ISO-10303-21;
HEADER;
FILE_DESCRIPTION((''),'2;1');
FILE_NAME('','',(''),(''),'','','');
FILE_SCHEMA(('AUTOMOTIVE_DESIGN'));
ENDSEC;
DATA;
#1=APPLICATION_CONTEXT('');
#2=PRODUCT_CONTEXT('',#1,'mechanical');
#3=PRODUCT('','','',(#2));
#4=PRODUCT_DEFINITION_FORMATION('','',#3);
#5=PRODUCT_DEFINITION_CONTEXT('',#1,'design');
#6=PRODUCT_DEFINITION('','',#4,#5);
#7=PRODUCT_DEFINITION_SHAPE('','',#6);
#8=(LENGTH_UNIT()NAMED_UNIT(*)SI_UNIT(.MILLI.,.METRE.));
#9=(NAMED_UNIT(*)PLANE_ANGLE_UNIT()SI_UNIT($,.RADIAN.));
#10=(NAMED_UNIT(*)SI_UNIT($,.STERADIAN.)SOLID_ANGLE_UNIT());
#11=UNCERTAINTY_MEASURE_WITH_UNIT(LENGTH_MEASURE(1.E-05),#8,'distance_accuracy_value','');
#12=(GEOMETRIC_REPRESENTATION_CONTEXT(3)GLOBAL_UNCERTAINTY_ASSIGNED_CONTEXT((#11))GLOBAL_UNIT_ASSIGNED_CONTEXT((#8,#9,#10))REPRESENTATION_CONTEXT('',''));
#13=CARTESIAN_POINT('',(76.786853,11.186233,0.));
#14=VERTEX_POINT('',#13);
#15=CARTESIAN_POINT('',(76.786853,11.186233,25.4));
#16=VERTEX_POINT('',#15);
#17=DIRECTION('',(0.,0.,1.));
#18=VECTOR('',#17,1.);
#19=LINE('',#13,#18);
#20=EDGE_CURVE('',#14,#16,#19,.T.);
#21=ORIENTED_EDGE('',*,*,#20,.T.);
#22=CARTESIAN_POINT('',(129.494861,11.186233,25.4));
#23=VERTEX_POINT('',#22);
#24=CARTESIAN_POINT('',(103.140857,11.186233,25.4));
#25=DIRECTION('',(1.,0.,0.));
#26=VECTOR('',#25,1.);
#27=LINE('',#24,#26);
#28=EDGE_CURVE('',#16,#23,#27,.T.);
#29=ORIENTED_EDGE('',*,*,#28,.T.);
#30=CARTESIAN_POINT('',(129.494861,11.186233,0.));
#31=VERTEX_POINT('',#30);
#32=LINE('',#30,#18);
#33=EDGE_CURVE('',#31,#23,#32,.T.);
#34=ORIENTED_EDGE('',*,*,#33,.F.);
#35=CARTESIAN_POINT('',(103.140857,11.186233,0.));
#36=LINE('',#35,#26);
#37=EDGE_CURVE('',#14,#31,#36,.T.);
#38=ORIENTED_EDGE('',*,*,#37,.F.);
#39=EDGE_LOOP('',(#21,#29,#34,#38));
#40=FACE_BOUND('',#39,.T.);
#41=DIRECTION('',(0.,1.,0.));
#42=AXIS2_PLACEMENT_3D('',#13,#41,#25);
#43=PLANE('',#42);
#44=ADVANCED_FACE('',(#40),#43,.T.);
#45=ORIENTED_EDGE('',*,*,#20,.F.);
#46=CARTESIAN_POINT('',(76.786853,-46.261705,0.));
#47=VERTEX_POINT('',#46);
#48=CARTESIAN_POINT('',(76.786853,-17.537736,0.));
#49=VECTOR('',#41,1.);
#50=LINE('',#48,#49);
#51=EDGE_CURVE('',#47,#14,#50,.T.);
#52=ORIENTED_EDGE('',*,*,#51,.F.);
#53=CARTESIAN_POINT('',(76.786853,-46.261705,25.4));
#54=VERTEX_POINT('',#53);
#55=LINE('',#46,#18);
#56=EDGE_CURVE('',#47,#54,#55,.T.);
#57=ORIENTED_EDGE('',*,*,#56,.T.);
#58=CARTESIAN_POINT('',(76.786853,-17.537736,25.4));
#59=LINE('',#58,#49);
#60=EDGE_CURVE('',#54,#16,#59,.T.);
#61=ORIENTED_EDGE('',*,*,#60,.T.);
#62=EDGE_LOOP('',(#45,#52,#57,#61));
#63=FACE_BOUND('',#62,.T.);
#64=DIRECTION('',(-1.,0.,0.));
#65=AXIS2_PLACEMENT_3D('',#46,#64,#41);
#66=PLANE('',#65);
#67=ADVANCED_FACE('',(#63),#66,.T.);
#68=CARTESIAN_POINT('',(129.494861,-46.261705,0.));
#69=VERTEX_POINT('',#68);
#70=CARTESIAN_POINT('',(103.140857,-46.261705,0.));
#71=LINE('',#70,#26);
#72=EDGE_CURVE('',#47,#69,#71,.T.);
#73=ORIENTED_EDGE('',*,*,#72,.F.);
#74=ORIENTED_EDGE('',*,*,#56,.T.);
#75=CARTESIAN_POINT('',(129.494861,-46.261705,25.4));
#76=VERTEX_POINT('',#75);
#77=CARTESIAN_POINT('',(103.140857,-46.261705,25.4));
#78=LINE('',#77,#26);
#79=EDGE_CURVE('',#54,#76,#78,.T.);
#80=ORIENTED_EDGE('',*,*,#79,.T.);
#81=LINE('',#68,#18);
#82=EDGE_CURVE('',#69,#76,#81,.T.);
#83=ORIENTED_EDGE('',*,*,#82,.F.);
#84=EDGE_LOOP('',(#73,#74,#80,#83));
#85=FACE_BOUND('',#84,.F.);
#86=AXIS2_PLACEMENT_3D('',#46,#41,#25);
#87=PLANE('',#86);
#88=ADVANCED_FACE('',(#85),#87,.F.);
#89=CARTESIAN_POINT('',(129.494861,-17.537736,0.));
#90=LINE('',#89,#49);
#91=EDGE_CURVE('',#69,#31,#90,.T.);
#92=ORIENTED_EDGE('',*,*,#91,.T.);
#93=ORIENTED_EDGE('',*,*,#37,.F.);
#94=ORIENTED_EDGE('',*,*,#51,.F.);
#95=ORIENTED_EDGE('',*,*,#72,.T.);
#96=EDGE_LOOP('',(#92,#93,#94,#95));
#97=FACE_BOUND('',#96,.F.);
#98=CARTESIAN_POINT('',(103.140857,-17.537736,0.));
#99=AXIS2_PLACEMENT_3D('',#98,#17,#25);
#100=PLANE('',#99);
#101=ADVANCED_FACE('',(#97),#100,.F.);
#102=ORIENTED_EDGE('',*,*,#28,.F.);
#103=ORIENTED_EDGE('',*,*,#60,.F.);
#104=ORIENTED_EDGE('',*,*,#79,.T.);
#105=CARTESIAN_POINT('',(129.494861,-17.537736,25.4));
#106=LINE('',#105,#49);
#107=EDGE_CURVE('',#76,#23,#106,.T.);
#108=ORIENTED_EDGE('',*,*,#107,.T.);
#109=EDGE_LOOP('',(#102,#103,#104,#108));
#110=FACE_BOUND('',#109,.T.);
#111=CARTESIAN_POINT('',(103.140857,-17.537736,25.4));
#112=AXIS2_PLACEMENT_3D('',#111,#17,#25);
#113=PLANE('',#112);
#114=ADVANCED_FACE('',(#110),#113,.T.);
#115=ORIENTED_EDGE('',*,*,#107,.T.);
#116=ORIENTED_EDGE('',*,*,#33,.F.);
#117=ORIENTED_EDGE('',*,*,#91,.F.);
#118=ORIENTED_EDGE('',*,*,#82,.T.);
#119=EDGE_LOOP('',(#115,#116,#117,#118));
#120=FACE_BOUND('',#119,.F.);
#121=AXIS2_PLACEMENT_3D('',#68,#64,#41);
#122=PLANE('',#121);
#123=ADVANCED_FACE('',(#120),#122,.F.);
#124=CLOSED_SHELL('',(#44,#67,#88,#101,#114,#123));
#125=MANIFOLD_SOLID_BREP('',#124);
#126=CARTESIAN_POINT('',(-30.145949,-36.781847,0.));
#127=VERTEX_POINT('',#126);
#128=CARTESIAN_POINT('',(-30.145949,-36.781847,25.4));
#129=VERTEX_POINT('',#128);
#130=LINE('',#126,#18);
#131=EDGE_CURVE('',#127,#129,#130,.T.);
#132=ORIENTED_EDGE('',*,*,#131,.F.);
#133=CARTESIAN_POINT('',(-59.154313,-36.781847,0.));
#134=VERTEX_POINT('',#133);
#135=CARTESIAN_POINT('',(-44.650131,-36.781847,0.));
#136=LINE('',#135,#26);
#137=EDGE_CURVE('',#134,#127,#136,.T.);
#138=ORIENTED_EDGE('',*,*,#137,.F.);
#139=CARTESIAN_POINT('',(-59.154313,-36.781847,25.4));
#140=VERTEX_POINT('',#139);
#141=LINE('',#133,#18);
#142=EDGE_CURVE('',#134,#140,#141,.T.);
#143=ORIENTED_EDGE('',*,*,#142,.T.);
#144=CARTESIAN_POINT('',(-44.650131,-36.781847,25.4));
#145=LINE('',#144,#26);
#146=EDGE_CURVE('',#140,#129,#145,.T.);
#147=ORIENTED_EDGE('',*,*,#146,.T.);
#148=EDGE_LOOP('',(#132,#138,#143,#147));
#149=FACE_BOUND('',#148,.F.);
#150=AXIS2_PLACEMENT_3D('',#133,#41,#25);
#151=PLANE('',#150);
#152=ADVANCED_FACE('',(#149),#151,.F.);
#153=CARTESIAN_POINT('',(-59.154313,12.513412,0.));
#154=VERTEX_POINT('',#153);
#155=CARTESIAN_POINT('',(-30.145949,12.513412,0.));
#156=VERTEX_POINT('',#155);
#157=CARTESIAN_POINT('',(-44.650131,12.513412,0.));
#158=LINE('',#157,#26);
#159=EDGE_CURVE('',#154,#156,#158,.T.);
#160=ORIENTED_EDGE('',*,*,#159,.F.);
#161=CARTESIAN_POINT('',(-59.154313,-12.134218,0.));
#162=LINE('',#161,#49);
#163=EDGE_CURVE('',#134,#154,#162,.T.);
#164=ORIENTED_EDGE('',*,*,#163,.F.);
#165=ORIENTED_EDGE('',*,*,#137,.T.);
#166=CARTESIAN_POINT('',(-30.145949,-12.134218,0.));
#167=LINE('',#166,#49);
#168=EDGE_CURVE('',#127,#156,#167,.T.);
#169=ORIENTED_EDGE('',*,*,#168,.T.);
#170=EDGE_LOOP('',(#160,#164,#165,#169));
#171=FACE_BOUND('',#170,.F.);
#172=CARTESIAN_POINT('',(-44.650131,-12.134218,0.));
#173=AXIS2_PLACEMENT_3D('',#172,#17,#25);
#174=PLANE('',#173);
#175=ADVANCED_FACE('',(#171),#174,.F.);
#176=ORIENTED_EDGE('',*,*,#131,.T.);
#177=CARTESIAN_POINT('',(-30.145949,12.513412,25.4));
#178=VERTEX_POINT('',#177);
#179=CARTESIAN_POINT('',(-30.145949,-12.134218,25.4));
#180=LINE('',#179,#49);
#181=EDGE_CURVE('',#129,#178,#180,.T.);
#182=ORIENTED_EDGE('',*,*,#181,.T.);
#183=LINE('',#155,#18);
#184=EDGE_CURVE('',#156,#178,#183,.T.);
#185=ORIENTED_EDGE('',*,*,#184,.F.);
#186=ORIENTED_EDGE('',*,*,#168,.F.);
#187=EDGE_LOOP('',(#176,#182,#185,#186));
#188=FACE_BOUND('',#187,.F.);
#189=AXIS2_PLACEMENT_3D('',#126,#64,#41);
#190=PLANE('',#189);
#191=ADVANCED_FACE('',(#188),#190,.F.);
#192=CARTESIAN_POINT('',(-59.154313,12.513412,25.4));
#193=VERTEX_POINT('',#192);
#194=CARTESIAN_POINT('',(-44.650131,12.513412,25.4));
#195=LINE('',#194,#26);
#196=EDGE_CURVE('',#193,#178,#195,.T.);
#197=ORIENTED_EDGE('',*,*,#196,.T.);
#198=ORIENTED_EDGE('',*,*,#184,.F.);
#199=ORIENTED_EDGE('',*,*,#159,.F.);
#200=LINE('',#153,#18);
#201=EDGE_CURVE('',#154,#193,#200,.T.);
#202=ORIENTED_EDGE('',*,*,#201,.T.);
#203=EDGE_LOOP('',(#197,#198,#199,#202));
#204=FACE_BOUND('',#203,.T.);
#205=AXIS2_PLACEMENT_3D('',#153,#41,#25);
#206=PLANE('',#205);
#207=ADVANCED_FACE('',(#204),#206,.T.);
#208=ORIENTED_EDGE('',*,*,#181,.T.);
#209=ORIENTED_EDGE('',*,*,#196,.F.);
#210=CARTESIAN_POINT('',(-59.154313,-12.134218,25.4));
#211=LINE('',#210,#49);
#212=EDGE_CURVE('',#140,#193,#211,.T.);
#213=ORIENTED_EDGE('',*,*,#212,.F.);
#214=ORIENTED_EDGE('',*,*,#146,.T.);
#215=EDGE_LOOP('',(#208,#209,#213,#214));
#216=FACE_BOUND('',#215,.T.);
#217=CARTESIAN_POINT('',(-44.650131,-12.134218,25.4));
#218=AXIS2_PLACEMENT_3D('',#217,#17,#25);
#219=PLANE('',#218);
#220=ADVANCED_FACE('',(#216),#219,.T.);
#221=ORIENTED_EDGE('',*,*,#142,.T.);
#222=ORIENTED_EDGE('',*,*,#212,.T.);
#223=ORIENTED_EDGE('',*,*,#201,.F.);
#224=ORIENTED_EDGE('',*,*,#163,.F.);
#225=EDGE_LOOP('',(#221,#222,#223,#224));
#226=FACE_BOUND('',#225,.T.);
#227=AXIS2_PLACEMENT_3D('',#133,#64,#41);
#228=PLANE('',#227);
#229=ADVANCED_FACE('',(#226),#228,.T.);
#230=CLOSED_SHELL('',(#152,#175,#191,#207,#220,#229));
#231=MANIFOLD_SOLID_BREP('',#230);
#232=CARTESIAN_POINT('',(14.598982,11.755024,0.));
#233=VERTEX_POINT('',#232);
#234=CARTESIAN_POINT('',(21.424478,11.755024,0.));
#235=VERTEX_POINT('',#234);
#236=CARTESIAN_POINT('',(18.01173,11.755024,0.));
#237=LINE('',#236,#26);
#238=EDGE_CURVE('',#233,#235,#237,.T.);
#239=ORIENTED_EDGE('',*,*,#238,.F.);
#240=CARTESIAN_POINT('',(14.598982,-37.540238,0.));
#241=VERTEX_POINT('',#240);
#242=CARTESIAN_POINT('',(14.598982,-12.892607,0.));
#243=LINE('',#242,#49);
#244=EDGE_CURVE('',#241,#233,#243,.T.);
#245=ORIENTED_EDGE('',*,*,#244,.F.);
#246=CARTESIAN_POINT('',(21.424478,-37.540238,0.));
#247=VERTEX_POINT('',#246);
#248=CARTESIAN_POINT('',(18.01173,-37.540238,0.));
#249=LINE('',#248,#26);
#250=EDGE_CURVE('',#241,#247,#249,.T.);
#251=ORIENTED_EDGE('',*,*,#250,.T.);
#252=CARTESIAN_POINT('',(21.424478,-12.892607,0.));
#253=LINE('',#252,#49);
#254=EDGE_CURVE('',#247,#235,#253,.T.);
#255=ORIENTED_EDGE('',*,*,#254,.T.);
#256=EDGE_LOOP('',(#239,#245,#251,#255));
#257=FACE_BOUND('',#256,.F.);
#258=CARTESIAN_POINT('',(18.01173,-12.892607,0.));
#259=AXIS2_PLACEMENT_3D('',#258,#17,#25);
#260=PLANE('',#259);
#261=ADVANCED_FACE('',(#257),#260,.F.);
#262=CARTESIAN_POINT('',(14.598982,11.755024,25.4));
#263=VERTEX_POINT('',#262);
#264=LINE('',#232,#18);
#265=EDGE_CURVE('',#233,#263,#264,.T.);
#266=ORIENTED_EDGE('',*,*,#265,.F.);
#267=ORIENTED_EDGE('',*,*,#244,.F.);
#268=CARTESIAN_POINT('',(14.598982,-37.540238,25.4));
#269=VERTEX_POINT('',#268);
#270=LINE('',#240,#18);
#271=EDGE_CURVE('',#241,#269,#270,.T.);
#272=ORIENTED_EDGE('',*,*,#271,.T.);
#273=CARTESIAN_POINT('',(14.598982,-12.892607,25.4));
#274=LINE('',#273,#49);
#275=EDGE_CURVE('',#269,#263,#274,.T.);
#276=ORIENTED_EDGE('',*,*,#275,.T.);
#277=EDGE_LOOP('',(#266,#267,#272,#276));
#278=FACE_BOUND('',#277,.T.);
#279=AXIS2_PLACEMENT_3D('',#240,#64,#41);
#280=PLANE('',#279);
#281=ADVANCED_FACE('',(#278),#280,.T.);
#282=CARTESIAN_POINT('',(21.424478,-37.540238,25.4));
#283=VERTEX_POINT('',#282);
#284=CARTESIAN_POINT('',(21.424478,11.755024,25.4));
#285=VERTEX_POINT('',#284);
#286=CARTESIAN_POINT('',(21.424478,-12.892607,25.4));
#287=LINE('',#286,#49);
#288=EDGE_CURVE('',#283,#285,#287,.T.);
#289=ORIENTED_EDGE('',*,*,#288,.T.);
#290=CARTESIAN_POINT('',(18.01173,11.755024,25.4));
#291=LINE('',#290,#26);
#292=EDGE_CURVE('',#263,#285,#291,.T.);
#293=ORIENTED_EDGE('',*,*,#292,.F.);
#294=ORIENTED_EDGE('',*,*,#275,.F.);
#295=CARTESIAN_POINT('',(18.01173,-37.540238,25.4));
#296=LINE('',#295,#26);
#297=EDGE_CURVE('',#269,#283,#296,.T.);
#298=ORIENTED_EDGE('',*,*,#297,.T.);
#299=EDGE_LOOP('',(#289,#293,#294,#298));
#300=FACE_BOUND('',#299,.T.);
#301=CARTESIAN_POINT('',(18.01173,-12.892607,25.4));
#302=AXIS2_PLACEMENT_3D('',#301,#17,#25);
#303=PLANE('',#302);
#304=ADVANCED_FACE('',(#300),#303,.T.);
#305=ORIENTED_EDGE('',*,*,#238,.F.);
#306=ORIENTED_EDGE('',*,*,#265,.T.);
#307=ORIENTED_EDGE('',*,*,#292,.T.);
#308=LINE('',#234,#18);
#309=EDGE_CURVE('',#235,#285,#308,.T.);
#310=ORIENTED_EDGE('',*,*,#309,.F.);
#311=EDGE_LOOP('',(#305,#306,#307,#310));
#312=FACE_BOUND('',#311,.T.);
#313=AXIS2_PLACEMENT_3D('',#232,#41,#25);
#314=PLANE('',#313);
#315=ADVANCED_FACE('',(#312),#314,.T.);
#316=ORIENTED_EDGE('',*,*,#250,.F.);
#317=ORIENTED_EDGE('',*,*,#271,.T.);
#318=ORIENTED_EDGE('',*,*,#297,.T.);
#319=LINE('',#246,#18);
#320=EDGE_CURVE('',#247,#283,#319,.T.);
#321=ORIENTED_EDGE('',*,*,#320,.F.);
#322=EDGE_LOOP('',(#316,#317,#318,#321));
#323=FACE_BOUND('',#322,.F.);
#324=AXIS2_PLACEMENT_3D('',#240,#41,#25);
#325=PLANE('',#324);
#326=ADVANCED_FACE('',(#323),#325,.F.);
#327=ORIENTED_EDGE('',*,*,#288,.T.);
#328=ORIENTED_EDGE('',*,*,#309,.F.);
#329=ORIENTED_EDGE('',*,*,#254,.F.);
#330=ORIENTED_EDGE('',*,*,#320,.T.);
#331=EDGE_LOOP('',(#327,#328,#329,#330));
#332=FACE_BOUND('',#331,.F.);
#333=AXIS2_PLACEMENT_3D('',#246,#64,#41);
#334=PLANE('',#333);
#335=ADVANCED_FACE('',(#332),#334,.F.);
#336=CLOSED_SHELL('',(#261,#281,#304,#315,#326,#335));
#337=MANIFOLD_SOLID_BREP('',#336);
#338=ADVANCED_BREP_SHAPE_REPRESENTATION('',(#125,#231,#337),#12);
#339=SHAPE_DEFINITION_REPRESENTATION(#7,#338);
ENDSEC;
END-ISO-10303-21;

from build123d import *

# Parameters (mm, degrees)
F0_W     = 29.008364
F0_H     = 49.295259
F0_W_2   = 6.825497
F0_H_2   = 49.295262
F0_W_3   = 52.708008
F0_H_3   = 57.447938
F1_DEPTH = 25.4


with BuildPart() as f1:
    # F0 (on Top) → F1 (new body)
    with BuildSketch(Plane.XY):
        with Locations((-44.650131, -12.134218)):
            Rectangle(F0_W, F0_H)
        with Locations((18.01173, -12.892607)):
            Rectangle(F0_W_2, F0_H_2)
        with Locations((103.140857, -17.537736)):
            Rectangle(F0_W_3, F0_H_3)
    extrude(amount=F1_DEPTH)


solid = f1.part
